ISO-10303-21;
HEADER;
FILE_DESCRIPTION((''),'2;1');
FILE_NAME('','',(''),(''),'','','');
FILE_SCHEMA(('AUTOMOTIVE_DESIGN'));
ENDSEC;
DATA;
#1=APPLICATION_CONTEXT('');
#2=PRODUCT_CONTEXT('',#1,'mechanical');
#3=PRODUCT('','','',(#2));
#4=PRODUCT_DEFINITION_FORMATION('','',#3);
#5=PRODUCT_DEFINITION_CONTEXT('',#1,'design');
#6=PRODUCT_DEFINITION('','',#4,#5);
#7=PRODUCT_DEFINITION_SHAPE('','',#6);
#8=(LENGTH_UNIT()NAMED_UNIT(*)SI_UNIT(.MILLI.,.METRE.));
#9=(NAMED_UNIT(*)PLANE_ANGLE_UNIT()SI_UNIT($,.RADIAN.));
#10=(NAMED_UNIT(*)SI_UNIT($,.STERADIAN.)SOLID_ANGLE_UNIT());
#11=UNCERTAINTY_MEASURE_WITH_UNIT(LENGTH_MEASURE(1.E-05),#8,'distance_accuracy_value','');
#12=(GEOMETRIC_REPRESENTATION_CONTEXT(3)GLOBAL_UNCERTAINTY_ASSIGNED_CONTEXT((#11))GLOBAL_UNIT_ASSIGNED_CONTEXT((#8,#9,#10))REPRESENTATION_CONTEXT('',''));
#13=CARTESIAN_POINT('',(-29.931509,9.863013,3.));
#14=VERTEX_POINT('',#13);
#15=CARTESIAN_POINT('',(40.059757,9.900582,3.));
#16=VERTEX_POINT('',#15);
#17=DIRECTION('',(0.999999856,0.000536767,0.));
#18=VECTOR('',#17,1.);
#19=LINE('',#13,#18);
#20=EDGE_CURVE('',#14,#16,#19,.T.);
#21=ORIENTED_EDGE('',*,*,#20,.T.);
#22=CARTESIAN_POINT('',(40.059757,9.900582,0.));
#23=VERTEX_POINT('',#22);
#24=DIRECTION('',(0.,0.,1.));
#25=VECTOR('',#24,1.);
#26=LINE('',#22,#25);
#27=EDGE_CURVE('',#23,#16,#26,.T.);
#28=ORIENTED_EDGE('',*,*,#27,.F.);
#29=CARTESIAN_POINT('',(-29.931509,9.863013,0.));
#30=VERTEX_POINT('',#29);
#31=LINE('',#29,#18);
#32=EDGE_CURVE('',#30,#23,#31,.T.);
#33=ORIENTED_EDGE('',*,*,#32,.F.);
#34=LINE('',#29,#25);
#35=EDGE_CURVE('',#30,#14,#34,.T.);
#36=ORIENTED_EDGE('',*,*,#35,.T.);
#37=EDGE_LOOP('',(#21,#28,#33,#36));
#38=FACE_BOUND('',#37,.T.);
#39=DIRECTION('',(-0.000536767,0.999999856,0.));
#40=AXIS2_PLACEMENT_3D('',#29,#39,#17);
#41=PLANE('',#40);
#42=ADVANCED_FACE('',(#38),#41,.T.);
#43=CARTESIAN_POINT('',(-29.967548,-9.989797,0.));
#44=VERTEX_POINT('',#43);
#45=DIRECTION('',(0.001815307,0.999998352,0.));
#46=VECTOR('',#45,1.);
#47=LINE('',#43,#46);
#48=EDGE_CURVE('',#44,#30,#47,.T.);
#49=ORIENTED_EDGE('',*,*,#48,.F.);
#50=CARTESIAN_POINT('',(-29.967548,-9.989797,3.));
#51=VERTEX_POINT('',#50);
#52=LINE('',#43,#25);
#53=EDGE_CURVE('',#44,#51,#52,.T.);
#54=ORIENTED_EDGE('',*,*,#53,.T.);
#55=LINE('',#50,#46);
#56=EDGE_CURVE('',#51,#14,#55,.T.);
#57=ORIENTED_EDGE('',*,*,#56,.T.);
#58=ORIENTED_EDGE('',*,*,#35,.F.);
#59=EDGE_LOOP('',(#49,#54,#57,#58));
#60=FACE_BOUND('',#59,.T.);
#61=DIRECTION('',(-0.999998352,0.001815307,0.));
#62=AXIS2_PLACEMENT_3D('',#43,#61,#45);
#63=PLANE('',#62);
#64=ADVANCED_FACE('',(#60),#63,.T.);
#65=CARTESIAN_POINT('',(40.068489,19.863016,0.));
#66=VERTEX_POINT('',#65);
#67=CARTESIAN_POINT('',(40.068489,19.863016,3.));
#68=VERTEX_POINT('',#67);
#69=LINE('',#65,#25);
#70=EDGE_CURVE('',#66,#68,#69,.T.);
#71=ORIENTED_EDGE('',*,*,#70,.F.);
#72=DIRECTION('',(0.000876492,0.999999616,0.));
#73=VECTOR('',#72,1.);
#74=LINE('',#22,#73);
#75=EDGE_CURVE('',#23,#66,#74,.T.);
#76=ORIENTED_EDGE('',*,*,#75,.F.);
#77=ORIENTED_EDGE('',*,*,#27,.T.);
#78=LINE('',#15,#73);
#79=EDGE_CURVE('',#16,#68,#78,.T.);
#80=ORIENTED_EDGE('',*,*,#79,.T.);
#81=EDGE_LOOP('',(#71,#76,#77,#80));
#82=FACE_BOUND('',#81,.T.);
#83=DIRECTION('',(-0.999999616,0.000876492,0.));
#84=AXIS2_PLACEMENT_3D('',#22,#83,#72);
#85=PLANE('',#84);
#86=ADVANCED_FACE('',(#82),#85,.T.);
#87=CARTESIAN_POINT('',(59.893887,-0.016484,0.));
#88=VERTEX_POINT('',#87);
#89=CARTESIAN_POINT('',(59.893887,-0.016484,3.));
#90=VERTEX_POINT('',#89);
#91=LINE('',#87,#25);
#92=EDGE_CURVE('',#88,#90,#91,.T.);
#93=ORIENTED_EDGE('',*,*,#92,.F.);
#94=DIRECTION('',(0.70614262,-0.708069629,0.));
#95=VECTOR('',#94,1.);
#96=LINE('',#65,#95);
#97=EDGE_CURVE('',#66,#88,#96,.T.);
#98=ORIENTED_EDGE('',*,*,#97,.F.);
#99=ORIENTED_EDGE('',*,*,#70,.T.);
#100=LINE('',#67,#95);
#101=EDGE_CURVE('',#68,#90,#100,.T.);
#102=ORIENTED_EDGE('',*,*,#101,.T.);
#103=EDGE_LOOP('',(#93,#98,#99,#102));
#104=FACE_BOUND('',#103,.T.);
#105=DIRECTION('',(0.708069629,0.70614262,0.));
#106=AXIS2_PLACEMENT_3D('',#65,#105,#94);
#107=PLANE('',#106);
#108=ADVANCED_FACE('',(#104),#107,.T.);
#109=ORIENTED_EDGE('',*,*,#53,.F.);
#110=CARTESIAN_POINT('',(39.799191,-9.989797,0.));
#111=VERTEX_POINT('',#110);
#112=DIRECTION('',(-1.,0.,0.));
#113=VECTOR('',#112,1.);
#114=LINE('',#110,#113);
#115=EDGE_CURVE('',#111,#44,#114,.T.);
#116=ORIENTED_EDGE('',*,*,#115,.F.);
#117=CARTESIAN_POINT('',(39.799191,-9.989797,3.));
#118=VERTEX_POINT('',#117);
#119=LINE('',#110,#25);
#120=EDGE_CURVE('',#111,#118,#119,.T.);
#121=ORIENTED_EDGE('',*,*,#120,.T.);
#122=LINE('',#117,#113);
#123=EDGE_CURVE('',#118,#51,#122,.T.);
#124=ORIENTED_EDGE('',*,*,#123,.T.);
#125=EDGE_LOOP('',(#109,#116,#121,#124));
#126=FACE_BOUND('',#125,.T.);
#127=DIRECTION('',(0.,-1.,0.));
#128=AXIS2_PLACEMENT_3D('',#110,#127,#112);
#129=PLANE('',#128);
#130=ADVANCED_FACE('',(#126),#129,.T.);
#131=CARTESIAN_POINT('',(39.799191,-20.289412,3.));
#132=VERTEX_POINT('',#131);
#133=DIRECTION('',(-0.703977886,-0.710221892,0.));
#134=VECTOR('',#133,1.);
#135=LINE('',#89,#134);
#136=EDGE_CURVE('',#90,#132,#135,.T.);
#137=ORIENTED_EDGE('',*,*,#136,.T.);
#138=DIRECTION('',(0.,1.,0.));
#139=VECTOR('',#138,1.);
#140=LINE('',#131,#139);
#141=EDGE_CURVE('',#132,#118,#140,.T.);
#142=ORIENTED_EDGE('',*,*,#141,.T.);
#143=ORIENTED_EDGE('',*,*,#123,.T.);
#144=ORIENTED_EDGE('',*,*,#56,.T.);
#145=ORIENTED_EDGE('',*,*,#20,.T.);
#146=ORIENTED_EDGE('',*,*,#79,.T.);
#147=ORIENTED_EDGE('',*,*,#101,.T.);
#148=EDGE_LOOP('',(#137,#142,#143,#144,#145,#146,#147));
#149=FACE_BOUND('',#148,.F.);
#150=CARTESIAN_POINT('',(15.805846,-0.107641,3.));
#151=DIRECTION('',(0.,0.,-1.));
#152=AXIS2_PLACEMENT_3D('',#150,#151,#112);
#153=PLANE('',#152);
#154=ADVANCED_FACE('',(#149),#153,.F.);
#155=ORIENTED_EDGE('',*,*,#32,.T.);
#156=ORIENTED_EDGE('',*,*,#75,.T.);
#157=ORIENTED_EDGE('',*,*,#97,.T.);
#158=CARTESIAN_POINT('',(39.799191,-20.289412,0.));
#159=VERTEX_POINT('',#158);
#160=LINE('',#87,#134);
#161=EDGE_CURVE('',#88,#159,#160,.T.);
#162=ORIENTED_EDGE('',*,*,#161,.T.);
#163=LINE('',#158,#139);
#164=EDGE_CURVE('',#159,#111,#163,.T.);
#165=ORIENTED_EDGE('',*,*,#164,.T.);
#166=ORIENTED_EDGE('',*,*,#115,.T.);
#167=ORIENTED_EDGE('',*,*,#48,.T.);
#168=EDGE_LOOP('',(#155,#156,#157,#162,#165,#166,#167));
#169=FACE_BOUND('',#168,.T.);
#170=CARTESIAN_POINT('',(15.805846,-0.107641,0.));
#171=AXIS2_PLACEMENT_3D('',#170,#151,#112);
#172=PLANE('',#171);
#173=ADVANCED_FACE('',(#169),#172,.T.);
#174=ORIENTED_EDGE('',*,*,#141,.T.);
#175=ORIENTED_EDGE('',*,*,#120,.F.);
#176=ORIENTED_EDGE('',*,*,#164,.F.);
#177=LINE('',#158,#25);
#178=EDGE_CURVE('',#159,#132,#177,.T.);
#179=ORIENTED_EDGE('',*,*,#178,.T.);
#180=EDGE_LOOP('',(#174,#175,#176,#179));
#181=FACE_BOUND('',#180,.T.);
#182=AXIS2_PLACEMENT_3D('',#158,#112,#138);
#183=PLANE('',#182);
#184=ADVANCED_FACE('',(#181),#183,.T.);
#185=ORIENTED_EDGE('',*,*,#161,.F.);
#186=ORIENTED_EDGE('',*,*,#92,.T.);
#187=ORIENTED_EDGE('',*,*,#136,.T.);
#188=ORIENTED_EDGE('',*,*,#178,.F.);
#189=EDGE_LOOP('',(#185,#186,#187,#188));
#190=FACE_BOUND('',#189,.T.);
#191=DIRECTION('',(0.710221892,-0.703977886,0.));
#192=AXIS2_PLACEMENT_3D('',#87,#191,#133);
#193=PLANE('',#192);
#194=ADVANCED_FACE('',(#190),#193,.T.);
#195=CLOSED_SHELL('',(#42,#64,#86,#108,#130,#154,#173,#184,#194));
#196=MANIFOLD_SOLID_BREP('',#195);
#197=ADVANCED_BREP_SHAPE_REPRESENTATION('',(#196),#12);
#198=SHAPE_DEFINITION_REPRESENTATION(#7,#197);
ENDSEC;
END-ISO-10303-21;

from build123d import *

# Parameters (mm, degrees)
PAD_DEPTH = 3


with BuildPart() as part:
    # Sketch → Pad (new body)
    with BuildSketch(Plane.XY):
        Polygon((-29.931509, 9.863013), (40.059757, 9.900582), (40.068489, 19.863016), (59.893887, -0.016484), (39.799191, -20.289412), (39.799191, -9.989797), (-29.967548, -9.989797), align=None)
    extrude(amount=PAD_DEPTH)


solid = part.part
